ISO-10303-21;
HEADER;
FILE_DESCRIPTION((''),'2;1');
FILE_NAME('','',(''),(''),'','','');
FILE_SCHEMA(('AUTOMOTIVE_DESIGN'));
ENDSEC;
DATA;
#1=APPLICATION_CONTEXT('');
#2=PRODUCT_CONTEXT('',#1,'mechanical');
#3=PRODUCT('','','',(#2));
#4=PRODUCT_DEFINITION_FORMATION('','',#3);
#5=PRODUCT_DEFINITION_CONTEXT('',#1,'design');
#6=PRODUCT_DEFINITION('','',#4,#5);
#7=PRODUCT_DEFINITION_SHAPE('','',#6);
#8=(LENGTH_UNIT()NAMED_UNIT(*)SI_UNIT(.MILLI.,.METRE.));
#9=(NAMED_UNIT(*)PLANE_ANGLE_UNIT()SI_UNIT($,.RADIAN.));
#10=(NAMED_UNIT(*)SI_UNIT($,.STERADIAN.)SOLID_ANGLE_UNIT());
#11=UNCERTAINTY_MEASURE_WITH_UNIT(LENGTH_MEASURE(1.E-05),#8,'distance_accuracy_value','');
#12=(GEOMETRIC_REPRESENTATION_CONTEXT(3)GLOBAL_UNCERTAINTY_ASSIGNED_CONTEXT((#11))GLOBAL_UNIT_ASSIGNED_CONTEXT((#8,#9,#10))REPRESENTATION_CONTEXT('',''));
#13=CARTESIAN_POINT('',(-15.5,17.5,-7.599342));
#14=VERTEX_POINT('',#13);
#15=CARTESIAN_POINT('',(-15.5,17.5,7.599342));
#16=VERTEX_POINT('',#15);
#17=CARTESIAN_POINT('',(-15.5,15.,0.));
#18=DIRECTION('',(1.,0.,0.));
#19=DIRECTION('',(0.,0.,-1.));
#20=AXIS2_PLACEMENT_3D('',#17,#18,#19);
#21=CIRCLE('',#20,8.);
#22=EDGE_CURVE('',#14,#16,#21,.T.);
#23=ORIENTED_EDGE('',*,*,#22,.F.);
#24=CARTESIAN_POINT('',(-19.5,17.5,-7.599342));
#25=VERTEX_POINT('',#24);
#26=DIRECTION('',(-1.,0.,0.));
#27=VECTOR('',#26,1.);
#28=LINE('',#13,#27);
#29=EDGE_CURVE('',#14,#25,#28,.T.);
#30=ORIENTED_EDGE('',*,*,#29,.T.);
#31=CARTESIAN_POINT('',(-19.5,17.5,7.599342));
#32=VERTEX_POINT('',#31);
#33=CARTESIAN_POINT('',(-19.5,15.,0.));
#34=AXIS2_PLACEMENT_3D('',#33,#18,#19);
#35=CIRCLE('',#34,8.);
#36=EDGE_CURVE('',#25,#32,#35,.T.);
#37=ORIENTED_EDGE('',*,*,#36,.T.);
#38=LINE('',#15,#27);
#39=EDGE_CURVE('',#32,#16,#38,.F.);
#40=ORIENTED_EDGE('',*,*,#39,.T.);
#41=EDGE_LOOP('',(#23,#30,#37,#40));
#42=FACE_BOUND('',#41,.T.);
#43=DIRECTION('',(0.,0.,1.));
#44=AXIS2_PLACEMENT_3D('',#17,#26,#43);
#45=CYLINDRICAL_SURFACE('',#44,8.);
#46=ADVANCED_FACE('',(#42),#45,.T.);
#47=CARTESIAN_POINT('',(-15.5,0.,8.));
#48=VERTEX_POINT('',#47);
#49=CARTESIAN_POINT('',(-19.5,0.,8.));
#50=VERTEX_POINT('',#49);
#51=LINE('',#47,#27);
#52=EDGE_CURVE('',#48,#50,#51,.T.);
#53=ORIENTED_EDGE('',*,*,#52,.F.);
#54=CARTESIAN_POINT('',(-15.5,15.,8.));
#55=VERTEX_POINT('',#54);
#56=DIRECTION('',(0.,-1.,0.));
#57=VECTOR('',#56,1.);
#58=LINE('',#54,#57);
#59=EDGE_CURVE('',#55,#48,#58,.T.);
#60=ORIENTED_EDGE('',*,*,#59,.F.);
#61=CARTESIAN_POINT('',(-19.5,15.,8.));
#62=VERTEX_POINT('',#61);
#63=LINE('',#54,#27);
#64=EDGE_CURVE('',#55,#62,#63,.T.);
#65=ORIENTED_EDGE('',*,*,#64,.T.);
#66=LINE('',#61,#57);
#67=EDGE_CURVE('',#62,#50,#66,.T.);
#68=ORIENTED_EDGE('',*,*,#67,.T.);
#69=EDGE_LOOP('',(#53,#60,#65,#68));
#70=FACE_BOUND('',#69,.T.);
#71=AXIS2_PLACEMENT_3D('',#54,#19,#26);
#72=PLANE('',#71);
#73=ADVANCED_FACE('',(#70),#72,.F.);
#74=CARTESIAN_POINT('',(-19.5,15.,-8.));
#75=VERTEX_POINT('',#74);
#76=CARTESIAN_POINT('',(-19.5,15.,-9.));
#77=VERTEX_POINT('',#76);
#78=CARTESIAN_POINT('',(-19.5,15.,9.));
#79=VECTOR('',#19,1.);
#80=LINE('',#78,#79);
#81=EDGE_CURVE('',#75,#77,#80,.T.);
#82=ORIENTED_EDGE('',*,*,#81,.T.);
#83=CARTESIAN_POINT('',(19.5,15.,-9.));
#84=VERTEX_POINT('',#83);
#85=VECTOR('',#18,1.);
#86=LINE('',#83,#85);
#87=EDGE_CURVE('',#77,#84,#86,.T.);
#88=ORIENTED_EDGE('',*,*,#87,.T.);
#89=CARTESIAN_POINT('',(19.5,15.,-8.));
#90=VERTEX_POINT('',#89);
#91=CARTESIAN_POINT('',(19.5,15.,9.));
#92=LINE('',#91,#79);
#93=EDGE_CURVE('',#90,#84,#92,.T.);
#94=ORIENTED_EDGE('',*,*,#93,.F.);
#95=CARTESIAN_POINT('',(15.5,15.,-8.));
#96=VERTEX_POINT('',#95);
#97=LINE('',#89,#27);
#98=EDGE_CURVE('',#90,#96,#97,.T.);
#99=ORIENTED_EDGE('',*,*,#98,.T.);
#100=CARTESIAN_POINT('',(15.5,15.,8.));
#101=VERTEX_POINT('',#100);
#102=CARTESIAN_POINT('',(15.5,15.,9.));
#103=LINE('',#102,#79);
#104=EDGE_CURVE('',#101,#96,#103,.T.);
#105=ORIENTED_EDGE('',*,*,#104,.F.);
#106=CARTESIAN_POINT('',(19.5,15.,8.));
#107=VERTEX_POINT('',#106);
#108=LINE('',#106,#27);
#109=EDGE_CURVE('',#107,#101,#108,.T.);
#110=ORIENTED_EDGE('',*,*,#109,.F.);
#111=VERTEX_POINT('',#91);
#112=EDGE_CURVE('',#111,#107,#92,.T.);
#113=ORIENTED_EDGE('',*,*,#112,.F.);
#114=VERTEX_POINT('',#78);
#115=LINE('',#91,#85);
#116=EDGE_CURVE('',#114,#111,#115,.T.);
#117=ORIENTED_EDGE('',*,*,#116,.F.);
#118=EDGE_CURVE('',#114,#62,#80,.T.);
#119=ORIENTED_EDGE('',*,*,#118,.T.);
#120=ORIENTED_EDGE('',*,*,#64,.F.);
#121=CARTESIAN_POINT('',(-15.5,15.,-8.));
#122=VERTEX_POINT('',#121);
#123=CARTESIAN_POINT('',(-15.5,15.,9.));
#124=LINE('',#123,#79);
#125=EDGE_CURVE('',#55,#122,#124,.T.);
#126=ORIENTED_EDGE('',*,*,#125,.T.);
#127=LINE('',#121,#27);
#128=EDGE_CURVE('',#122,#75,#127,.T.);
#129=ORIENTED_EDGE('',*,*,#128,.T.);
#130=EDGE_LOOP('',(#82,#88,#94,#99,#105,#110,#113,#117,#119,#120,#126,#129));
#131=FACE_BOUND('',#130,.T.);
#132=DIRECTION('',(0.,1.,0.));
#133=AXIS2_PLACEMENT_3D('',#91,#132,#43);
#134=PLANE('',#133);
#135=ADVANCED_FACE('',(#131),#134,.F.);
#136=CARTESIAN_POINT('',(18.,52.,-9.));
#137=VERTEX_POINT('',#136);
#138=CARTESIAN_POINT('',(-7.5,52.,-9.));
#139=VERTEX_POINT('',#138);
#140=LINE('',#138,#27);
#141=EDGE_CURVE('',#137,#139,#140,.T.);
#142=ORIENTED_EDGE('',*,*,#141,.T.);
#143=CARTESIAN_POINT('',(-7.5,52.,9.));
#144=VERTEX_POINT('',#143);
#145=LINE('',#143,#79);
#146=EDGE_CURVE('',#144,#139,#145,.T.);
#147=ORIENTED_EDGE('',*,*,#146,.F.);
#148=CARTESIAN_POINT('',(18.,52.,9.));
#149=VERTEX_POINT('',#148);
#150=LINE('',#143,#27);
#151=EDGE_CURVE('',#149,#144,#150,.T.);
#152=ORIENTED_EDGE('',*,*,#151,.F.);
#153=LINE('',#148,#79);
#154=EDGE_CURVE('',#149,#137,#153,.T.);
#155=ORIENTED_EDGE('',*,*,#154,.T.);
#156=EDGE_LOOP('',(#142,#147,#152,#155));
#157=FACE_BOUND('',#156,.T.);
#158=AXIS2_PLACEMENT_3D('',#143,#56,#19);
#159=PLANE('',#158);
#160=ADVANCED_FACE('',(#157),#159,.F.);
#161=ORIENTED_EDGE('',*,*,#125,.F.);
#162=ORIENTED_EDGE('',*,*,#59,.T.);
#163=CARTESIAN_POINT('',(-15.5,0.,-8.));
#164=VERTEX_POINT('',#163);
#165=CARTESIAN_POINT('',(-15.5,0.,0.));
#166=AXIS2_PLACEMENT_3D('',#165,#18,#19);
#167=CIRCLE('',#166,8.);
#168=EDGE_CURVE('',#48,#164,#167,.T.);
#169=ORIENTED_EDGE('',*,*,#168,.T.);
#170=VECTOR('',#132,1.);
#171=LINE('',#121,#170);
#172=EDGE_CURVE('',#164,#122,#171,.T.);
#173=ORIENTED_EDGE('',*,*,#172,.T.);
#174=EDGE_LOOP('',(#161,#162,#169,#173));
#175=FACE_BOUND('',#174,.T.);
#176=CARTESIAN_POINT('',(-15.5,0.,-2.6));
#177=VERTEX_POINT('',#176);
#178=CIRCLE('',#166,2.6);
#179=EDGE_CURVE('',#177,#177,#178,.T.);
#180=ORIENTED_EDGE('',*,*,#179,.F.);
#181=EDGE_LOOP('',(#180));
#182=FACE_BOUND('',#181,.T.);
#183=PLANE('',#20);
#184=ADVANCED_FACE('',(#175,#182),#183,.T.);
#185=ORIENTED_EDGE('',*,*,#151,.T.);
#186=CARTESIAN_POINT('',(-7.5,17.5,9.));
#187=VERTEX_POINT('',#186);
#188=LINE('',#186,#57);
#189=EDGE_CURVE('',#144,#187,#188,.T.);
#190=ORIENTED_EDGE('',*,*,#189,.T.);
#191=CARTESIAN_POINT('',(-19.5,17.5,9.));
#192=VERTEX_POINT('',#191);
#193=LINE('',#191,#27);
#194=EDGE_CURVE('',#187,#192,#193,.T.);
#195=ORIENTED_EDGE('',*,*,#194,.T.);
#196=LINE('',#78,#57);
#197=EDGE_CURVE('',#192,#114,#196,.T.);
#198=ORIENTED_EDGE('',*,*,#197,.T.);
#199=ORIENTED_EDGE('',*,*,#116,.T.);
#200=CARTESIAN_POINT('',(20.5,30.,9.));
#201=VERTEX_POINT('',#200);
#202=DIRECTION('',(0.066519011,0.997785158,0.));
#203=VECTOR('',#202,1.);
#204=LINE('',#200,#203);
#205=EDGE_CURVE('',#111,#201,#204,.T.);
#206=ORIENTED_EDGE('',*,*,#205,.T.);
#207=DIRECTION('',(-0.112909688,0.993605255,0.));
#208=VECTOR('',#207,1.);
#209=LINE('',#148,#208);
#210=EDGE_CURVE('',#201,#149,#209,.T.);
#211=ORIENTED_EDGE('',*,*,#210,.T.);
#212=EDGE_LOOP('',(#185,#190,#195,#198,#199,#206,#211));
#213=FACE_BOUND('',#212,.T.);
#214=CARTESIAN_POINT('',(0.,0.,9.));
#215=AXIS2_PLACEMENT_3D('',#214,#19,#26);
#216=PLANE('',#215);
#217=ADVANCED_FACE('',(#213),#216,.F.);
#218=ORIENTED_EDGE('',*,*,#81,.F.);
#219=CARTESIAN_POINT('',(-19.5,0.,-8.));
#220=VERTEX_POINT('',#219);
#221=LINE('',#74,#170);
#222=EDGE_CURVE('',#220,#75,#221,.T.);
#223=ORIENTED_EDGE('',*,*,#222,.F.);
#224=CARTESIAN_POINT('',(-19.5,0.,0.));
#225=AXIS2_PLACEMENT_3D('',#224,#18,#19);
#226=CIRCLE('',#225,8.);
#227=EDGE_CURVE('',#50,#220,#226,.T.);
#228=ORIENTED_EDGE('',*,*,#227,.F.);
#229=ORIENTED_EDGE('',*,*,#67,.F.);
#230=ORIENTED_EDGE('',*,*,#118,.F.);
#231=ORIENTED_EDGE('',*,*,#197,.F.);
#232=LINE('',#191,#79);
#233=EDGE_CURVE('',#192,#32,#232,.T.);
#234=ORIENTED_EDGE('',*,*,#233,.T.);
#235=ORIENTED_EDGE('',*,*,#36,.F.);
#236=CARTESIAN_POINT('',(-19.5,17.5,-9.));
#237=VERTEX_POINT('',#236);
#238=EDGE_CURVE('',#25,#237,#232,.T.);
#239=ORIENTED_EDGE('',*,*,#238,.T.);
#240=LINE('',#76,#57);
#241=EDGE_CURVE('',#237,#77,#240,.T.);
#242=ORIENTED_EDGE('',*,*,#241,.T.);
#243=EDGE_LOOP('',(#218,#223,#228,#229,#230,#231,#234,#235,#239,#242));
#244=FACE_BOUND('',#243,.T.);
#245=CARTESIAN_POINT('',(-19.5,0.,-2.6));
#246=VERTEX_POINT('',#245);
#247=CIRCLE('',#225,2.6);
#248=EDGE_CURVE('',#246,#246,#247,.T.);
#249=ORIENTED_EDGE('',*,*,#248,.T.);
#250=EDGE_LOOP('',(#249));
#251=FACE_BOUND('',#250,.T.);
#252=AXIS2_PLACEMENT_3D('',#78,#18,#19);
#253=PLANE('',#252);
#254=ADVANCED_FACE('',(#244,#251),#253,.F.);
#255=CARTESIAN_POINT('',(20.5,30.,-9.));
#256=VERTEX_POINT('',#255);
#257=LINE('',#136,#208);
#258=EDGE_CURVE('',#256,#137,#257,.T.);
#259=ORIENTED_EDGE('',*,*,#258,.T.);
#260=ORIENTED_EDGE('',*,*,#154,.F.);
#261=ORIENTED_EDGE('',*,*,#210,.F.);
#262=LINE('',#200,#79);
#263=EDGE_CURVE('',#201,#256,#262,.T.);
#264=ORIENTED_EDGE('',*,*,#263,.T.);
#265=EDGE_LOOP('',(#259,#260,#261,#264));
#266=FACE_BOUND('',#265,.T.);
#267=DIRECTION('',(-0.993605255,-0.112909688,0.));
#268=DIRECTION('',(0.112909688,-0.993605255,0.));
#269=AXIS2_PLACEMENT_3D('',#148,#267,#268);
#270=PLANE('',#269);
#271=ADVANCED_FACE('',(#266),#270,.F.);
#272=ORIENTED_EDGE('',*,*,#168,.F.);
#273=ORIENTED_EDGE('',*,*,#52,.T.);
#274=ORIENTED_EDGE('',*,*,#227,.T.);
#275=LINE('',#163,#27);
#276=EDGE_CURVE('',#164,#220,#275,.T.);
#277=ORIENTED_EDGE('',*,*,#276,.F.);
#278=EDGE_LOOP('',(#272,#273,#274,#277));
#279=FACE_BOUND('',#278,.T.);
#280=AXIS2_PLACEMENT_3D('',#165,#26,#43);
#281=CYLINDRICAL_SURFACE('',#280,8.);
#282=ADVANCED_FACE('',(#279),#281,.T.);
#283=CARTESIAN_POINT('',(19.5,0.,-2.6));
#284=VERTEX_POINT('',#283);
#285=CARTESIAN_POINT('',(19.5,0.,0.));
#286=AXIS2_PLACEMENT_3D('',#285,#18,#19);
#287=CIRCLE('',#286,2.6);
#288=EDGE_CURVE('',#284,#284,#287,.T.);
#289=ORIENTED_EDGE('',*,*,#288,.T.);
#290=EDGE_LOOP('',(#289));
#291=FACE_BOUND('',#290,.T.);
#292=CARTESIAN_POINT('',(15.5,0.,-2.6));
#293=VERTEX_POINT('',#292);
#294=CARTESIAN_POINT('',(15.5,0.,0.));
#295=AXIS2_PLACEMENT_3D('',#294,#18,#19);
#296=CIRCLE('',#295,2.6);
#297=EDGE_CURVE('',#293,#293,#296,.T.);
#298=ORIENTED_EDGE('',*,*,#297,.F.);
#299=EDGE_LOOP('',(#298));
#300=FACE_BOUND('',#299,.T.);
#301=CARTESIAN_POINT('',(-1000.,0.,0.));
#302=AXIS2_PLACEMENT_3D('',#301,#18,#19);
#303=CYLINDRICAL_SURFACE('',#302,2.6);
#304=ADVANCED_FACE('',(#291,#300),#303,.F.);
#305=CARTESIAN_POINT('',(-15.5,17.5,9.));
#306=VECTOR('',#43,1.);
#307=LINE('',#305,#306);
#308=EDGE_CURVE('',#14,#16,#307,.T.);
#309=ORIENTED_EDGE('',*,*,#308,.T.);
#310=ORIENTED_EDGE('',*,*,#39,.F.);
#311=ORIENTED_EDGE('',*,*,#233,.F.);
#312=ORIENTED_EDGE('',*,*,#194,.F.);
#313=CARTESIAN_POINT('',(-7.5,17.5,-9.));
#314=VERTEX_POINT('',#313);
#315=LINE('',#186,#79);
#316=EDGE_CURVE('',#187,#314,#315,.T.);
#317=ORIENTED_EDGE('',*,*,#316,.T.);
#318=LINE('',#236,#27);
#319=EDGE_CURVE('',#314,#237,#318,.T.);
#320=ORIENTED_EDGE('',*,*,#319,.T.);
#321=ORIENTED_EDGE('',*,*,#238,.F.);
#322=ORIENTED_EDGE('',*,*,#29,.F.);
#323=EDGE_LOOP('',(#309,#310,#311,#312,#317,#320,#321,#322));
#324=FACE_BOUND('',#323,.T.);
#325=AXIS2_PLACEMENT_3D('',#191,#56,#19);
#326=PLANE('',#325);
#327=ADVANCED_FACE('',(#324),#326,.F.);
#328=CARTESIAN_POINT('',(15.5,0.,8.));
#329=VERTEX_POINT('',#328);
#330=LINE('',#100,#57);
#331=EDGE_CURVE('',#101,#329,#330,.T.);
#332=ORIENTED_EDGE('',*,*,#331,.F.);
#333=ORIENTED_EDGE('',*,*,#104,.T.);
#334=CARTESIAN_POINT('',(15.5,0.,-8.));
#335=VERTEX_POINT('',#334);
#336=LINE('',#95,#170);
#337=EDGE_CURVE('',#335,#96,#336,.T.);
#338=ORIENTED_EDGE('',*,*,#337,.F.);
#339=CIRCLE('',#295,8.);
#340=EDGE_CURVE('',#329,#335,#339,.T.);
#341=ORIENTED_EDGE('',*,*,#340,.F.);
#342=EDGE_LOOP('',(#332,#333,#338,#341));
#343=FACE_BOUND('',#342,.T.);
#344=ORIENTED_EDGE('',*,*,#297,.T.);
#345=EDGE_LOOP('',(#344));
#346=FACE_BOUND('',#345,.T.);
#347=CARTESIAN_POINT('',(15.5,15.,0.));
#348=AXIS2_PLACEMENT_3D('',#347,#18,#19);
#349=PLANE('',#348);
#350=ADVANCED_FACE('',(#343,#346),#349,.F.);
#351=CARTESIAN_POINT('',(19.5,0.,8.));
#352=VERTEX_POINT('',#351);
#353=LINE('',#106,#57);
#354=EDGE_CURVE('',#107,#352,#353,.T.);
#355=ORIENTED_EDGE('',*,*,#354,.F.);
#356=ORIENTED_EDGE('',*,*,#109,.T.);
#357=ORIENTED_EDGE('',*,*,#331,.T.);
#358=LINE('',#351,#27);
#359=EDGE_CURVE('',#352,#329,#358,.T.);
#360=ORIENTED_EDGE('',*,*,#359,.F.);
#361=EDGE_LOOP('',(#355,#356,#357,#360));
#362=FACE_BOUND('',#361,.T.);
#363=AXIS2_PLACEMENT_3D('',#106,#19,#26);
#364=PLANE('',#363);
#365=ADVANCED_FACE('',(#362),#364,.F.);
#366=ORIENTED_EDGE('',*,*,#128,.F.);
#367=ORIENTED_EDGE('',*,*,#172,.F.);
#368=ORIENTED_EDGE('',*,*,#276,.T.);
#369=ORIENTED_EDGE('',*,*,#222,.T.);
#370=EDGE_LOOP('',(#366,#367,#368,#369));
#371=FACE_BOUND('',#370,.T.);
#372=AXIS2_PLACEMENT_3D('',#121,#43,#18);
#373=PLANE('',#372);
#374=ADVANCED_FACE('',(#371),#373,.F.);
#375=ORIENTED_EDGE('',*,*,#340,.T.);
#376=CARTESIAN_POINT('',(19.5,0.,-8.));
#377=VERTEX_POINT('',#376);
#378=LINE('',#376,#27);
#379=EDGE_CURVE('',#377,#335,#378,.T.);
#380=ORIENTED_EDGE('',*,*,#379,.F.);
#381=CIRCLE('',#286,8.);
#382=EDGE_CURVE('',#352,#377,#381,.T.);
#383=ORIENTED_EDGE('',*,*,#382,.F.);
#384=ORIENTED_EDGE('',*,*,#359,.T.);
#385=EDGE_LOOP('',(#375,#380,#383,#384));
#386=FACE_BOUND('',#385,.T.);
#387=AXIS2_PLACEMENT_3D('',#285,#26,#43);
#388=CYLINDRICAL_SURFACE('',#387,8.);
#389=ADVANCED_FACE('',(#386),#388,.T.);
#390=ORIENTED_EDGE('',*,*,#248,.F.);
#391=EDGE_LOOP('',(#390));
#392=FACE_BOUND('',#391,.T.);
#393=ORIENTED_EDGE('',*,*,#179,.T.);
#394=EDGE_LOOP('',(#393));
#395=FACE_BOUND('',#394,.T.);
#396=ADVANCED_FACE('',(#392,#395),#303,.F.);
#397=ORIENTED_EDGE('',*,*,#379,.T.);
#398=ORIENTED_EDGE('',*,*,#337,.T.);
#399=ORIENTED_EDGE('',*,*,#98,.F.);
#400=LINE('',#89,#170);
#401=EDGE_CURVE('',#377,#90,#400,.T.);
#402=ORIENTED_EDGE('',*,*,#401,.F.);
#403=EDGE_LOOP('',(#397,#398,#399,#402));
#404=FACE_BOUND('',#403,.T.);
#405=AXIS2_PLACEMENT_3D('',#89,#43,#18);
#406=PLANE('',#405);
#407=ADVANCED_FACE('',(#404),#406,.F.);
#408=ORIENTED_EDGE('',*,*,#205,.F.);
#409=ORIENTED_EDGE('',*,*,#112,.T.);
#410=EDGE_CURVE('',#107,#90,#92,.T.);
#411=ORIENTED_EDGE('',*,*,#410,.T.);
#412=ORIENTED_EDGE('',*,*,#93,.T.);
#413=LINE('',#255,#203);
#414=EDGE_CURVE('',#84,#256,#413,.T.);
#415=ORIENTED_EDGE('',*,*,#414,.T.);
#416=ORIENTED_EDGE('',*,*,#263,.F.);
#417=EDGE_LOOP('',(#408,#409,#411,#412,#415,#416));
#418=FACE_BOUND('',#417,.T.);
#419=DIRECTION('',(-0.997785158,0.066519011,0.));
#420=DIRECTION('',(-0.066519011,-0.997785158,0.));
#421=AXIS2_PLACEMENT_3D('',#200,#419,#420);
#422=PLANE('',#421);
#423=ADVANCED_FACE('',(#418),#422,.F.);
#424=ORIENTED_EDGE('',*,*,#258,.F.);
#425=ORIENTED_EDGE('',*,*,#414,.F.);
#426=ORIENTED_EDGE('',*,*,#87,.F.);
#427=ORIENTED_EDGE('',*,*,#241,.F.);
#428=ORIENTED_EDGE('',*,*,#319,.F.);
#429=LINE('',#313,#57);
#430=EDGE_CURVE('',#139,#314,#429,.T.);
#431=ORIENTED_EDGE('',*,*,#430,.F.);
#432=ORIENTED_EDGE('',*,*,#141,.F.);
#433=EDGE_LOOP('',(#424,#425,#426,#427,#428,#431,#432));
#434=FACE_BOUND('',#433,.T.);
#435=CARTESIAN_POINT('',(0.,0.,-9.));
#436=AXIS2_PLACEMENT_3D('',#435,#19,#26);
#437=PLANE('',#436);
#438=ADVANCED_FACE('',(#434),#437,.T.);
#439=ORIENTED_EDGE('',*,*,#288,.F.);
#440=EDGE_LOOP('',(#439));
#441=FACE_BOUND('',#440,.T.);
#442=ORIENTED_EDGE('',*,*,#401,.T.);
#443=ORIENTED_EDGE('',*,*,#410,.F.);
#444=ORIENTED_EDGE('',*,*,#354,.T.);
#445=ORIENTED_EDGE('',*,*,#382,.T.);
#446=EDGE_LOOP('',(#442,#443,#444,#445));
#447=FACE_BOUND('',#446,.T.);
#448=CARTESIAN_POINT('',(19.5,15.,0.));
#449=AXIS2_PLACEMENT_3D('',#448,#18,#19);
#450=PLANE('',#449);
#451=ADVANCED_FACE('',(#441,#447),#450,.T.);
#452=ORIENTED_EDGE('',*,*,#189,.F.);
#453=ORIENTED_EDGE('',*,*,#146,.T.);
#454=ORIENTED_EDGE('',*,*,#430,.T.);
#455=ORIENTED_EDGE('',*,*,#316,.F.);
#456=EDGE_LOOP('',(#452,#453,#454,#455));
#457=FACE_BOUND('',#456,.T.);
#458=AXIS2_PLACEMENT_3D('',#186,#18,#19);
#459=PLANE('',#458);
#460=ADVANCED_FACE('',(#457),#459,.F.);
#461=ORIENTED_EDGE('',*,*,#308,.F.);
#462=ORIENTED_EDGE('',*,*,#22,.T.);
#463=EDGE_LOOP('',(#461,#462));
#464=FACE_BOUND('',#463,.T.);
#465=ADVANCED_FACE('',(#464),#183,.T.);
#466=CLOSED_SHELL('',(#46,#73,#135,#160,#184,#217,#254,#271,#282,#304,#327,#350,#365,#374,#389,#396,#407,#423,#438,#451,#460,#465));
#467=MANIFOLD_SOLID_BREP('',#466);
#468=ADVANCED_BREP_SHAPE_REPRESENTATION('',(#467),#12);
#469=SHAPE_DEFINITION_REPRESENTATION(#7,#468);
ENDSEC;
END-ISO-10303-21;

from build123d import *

# Parameters (mm, degrees)
EPIFISIS_DISTAL_DEPTH    = 18
OREJA_MEDIAL_DEPTH       = 4
OREJA_LATERAL_DEPTH      = 4
SKETCH4_R                = 2.6
AGUJERO_EJE_MUNECA_DEPTH = 1000


with BuildPart() as part:
    # Sketch1 → Epifisis_distal (new body)
    with BuildSketch(Plane.XY.offset(-9)):
        Polygon((-7.5, 52), (18, 52), (20.5, 30), (19.5, 15), (-19.5, 15), (-19.5, 17.5), (-7.5, 17.5), align=None)
    extrude(amount=EPIFISIS_DISTAL_DEPTH)

    # Sketch2 → Oreja_medial (add)
    with BuildSketch(Plane(origin=(-19.5, 0, 0), x_dir=(0, 0, -1), z_dir=(1, 0, 0))):
        with BuildLine():
            Line((8, 15), (8, 0))
            ThreePointArc((8, 0), (0, -8), (-8, 0))
            Line((-8, 0), (-8, 15))
            ThreePointArc((-8, 15), (0, 23), (8, 15))
        make_face()
    extrude(amount=OREJA_MEDIAL_DEPTH)

    # Sketch3 → Oreja_lateral (add)
    with BuildSketch(Plane(origin=(15.5, 0, 0), x_dir=(0, 0, -1), z_dir=(1, 0, 0))):
        with BuildLine():
            Line((8, 15), (8, 0))
            ThreePointArc((8, 0), (0, -8), (-8, 0))
            Line((-8, 0), (-8, 15))
            ThreePointArc((-8, 15), (0, 23), (8, 15))
        make_face()
    extrude(amount=OREJA_LATERAL_DEPTH)

    # Sketch4 → Agujero_eje_muneca (cut, symmetric)
    with BuildSketch(Plane(origin=(0, 0, 0), x_dir=(0, 0, -1), z_dir=(1, 0, 0))):
        Circle(SKETCH4_R)
    extrude(amount=AGUJERO_EJE_MUNECA_DEPTH, both=True, mode=Mode.SUBTRACT)


solid = part.part
